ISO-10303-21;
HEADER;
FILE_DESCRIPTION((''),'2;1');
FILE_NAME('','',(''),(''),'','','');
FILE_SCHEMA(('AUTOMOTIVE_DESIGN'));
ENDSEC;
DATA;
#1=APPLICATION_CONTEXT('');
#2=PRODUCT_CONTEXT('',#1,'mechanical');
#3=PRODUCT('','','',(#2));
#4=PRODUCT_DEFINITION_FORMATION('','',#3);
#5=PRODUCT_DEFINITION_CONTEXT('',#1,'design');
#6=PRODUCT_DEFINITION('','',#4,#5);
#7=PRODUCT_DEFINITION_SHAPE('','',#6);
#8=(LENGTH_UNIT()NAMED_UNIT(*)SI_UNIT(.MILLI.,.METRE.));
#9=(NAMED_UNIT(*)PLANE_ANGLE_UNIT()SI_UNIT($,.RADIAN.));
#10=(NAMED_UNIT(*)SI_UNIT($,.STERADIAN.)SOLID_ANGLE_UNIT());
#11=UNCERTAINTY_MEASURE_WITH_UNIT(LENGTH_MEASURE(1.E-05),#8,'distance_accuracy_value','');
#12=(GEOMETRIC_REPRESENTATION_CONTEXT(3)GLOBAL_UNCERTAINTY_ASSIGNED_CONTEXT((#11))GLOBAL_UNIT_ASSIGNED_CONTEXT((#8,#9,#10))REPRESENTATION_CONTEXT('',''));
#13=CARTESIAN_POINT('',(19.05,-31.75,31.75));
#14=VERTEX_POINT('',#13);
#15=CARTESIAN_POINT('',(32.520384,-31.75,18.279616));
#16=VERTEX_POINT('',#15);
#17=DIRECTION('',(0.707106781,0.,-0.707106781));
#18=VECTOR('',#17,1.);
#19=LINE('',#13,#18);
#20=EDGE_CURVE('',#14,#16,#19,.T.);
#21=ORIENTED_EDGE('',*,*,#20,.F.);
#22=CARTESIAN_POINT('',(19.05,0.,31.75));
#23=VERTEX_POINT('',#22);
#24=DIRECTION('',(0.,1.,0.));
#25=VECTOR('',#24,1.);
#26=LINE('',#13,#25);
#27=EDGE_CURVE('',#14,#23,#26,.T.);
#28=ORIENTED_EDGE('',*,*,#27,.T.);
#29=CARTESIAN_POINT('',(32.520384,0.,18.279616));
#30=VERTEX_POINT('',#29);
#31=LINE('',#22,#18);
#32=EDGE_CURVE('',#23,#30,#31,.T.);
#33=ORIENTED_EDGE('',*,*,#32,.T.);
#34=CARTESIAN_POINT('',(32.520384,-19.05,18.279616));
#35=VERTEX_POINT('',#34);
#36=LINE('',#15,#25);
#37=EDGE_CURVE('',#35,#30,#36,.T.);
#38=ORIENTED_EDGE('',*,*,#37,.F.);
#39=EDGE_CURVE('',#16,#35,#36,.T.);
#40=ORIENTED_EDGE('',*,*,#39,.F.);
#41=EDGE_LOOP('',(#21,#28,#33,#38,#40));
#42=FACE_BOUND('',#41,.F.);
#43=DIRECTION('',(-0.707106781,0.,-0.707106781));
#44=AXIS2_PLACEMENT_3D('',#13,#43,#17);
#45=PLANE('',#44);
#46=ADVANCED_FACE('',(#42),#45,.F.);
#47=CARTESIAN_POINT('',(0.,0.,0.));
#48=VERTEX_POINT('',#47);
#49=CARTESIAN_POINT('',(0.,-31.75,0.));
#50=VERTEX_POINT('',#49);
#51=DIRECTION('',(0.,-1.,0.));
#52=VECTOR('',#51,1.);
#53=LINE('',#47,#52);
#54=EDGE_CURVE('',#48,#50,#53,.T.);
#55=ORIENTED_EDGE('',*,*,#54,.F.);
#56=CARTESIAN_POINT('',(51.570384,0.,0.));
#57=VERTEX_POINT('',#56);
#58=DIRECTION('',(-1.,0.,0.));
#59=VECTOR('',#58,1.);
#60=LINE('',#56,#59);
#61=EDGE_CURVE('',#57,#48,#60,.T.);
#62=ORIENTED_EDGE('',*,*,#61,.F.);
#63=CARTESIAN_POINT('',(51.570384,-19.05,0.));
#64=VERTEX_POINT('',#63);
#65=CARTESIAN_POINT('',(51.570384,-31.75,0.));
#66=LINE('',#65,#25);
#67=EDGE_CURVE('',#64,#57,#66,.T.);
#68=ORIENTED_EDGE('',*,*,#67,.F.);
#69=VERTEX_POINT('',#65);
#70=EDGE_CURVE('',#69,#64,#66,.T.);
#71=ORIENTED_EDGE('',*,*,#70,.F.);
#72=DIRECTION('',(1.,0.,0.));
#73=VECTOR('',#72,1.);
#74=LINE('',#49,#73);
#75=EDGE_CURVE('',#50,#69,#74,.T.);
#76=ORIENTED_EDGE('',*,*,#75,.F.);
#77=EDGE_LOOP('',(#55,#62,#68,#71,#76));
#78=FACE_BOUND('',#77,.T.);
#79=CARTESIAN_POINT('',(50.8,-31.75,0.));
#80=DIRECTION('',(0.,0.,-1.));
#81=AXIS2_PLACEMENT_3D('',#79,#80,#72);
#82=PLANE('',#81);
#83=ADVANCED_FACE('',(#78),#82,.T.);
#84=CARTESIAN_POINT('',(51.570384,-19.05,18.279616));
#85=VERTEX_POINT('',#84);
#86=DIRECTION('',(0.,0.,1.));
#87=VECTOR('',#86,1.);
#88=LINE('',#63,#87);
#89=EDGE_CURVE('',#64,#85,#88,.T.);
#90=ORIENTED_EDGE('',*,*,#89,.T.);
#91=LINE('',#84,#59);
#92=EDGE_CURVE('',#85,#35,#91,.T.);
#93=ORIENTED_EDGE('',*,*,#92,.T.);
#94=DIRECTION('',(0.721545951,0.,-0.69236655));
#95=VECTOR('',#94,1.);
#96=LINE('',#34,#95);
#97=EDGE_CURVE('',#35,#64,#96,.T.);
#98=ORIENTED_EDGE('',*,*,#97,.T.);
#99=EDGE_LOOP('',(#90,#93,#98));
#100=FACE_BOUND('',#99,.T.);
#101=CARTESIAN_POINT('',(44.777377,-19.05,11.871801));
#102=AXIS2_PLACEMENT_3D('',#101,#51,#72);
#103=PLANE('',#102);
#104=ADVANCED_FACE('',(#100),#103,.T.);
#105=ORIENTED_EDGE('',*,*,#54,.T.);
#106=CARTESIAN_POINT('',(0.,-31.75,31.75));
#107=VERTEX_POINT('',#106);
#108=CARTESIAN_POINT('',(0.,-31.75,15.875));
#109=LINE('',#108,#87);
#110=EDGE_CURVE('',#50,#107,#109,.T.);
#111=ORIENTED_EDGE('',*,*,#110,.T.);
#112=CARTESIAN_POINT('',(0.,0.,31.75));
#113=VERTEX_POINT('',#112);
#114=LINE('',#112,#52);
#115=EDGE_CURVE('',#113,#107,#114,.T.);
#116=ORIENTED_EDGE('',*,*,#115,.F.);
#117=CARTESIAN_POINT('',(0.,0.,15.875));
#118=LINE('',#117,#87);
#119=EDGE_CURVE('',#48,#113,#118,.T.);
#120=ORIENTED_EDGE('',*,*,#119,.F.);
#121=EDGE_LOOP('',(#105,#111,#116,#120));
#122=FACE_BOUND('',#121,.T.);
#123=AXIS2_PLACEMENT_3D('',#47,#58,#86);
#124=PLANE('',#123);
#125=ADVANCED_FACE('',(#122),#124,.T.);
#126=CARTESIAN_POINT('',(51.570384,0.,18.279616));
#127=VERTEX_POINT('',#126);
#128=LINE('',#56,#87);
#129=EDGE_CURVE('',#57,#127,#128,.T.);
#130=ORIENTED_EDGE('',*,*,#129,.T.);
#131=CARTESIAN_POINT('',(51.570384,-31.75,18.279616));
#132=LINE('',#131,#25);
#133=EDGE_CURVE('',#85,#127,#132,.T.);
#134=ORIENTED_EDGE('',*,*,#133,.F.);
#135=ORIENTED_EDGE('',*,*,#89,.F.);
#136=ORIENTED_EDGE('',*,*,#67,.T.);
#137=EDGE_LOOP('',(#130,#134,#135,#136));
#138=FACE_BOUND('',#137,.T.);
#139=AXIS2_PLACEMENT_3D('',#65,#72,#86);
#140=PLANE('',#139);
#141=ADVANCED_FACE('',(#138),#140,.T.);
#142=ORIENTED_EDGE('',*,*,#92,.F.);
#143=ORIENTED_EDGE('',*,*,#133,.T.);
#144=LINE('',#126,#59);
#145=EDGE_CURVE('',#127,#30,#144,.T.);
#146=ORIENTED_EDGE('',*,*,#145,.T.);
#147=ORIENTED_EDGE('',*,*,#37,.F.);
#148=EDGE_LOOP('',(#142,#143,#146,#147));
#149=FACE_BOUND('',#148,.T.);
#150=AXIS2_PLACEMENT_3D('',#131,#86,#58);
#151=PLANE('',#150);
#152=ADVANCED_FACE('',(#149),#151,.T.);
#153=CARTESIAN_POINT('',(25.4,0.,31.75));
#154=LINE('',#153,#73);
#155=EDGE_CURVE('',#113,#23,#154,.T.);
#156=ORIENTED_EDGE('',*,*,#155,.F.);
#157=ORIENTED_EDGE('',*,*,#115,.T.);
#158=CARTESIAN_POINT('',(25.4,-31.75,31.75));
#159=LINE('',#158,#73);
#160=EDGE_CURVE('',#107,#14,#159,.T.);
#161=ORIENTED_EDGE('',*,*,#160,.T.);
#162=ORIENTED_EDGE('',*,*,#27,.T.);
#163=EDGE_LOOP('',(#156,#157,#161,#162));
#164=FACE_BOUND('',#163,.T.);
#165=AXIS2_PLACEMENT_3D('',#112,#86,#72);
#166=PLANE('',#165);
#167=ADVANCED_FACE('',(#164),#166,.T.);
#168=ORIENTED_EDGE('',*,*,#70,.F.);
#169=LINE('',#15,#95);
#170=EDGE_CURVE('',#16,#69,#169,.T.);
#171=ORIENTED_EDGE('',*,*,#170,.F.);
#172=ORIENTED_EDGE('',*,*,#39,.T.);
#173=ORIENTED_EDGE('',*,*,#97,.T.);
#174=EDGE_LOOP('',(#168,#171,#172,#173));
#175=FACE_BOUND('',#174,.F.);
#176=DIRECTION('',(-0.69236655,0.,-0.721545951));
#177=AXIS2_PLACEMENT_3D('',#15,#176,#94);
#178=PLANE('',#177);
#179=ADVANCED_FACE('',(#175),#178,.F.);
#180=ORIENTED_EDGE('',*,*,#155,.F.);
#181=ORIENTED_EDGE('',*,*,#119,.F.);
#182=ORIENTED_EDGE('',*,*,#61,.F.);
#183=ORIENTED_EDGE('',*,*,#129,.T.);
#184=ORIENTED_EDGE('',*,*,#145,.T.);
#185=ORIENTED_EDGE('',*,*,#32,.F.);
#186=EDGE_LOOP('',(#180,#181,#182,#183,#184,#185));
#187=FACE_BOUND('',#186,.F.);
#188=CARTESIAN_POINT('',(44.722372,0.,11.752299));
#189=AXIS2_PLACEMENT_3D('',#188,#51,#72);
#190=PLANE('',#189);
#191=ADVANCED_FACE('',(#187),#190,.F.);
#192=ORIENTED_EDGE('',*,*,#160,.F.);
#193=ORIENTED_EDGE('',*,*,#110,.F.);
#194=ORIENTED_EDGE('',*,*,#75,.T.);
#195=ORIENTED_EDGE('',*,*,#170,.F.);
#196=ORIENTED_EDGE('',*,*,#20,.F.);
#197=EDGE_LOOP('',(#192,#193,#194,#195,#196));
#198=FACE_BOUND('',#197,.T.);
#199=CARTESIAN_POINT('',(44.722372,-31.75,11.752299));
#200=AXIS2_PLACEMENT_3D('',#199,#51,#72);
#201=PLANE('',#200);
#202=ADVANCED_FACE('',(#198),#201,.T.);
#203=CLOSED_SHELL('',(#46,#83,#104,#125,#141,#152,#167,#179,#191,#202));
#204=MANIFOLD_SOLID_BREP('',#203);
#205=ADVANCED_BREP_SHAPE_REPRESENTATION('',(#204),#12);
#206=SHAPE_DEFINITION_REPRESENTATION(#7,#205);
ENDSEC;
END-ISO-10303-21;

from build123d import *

# Parameters (mm, degrees)
F0_W     = 50.8
F0_H     = 31.75
F1_DEPTH = 31.75
F3_DEPTH = 31.75
F5_DEPTH = 31.75
F7_DEPTH = 12.7


with BuildPart() as f1:
    # F0 (on Front) → F1 (new body)
    with BuildSketch(Plane.XZ):
        with Locations((25.4, 15.875)):
            Rectangle(F0_W, F0_H)
    extrude(amount=F1_DEPTH)

    # F2 (on face) → F3 (cut)
    with BuildSketch(Plane.XZ.offset(31.75)):
        Polygon((50.8, 31.75), (19.05, 31.75), (50.8, 0), align=None)
    extrude(amount=-F3_DEPTH, mode=Mode.SUBTRACT)

    # F4 (on face) → F5 (join)
    with BuildSketch(Plane.XZ.offset(31.75)):
        Polygon((51.5703841816, 18.2796158184), (32.5203841816, 18.2796158184), (50.8, 0), (51.5703841816, 0), align=None)
    extrude(amount=-F5_DEPTH)

    # F6 (on face) → F7 (cut)
    with BuildSketch(Plane.XZ.offset(31.75)):
        Polygon((51.5703841816, 18.2796158184), (32.5203841816, 18.2796158184), (51.5703841816, 0), align=None)
    extrude(amount=-F7_DEPTH, mode=Mode.SUBTRACT)


solid = f1.part
